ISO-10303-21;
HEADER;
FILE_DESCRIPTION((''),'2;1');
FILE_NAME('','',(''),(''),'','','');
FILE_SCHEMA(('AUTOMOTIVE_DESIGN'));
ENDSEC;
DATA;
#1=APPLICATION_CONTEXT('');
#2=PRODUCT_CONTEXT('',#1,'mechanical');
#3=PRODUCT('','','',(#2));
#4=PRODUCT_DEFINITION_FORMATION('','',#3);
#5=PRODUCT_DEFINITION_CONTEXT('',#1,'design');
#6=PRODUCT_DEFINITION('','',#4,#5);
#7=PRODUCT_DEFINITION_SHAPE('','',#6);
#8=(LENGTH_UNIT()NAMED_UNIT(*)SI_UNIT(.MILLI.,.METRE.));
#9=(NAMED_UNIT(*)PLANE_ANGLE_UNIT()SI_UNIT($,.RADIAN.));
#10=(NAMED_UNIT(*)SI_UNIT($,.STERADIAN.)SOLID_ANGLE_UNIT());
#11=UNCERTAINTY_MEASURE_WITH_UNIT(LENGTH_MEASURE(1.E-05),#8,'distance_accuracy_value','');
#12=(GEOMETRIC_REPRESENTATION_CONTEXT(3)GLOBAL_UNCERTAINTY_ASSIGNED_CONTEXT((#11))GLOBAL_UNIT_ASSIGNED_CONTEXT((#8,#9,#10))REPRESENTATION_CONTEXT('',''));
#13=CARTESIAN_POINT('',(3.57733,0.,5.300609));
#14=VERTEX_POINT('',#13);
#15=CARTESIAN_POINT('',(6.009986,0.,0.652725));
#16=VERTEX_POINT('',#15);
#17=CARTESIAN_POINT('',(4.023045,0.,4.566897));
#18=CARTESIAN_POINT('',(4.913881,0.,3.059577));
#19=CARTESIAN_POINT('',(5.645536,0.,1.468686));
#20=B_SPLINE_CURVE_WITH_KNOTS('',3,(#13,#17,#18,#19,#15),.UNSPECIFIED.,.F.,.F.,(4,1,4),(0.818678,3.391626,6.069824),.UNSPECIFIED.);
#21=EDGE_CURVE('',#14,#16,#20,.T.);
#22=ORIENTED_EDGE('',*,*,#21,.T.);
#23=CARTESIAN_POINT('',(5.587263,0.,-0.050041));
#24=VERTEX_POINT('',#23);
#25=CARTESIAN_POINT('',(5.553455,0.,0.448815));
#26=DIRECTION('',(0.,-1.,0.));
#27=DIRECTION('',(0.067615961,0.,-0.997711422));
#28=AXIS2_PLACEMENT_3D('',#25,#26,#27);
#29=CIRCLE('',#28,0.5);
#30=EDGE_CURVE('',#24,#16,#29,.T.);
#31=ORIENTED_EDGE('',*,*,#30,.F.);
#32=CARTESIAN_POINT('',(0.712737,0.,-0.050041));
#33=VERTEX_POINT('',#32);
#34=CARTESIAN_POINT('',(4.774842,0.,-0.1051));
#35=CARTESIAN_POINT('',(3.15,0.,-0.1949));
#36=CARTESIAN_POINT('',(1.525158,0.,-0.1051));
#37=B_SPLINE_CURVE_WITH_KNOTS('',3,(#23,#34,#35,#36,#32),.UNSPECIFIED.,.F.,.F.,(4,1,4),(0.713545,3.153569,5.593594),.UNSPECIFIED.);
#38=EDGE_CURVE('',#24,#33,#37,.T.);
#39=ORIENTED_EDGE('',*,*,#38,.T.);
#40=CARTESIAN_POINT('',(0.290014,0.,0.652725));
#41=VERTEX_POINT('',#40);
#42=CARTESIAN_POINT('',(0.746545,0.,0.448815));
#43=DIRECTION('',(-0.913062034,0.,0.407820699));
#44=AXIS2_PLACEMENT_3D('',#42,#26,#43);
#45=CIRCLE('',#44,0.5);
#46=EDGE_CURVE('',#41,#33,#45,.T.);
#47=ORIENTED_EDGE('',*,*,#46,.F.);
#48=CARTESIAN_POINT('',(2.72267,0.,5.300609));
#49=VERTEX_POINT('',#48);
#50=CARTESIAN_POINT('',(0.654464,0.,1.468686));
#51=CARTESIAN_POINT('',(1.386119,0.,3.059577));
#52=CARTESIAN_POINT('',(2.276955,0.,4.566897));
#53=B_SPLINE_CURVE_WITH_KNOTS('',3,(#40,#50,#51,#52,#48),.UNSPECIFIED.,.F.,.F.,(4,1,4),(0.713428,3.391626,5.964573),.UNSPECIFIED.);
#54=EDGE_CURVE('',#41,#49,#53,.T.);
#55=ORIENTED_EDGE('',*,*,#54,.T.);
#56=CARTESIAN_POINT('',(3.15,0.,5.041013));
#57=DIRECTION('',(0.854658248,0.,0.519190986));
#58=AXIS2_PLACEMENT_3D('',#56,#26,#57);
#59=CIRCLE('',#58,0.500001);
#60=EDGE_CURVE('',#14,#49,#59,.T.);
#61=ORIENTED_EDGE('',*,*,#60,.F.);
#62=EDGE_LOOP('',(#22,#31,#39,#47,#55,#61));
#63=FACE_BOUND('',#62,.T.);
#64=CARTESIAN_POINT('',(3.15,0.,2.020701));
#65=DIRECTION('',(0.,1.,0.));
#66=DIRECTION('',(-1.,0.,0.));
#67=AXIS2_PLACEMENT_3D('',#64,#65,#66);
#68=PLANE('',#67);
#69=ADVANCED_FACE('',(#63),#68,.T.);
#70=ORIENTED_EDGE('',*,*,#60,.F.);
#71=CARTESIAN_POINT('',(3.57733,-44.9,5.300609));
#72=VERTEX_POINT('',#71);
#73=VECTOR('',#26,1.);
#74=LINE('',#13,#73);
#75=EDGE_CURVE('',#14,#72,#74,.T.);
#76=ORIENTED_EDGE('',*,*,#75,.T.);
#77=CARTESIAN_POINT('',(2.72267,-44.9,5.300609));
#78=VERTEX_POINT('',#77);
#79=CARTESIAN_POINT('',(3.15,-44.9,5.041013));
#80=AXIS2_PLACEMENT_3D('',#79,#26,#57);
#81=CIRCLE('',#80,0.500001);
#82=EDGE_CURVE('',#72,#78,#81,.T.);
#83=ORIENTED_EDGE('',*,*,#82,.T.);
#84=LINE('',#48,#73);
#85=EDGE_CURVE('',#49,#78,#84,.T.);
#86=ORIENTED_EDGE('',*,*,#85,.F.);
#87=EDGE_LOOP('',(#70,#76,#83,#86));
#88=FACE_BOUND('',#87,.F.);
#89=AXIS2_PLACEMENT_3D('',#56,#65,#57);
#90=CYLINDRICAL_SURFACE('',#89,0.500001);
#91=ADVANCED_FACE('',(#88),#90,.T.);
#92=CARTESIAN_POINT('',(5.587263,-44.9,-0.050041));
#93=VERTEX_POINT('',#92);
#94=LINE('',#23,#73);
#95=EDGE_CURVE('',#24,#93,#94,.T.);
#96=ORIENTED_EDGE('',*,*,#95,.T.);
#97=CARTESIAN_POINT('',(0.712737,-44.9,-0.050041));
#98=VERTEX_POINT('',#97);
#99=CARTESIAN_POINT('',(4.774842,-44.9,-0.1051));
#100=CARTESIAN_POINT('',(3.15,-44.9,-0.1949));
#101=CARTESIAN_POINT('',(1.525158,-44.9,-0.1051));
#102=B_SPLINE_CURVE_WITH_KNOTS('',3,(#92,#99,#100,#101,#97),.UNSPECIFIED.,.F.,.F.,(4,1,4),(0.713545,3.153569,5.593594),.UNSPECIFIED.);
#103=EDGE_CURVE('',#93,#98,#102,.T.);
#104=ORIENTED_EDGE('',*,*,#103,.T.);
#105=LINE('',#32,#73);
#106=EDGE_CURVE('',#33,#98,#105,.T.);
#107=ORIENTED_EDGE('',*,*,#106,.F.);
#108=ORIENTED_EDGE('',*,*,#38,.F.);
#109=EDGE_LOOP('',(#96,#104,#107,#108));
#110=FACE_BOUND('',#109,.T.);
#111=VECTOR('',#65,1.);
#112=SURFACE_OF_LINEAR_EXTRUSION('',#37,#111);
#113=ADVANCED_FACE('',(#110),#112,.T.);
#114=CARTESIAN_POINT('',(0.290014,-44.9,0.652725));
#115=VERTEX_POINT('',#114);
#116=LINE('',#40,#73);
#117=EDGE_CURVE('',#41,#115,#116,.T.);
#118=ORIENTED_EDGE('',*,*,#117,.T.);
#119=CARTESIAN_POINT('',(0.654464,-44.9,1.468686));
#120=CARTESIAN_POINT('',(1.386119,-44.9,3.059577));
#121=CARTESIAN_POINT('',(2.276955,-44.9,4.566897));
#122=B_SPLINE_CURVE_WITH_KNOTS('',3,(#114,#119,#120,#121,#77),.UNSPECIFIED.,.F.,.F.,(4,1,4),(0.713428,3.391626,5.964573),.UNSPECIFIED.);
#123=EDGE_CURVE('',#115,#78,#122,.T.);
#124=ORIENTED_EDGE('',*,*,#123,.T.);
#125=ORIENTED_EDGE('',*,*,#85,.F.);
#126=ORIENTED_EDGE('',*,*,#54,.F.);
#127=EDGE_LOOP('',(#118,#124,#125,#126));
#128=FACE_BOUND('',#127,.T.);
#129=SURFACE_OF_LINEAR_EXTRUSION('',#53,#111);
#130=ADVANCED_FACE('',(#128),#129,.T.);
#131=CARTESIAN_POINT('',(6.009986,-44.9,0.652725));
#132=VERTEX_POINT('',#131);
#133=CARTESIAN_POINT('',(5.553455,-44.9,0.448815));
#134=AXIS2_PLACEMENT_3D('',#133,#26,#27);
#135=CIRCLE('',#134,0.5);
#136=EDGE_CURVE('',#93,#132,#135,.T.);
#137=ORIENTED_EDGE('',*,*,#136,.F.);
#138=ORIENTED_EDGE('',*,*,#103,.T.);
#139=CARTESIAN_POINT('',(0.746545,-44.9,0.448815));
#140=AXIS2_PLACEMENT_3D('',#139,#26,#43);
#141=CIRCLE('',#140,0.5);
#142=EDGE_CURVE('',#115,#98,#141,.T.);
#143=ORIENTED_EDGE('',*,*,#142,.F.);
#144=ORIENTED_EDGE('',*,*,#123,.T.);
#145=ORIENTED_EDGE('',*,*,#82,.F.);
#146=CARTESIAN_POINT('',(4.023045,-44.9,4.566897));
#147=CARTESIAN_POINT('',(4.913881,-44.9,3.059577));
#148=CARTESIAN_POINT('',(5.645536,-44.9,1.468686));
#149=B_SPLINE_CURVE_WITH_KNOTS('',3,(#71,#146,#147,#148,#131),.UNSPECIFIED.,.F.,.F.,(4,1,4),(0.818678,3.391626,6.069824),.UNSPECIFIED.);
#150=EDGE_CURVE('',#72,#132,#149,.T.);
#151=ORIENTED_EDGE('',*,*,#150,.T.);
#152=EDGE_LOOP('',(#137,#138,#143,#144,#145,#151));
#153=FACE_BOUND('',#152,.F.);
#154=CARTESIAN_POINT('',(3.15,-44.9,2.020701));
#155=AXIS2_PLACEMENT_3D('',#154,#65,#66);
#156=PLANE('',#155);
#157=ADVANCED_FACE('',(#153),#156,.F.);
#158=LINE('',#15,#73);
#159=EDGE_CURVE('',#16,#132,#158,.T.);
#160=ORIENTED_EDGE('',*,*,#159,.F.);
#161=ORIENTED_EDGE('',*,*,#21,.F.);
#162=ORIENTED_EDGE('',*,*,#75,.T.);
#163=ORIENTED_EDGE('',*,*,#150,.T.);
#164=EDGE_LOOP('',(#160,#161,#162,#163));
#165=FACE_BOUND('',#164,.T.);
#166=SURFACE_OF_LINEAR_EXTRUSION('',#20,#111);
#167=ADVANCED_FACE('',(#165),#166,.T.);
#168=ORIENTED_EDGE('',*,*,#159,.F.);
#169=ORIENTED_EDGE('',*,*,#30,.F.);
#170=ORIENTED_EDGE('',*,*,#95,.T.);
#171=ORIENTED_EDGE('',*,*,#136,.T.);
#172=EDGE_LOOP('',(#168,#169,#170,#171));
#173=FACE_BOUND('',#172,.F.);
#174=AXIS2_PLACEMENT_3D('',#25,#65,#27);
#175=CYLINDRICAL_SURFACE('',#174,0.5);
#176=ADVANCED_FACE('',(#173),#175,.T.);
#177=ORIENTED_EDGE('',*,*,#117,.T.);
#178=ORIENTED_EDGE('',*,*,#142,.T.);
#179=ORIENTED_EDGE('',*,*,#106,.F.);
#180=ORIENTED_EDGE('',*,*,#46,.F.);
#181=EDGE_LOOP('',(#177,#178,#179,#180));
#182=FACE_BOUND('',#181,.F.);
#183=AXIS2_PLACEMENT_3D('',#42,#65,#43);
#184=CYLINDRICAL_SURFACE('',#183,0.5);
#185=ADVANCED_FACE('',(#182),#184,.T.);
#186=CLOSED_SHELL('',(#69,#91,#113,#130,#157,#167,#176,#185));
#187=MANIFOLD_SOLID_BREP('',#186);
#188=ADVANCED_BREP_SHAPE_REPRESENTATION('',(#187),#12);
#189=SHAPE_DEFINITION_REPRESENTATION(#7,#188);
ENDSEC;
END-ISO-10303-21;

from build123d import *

# Parameters (mm, degrees)
F1_DEPTH = 44.9


with BuildPart() as f1:
    # F0 (on Front) → F1 (new body)
    with BuildSketch(Plane.XZ):
        with BuildLine():
            add(Edge.make_bspline(
                [(0.290014, 0.652725), (0.654464, 1.468686), (1.386119, 3.059577), (2.276955, 4.566897), (2.72267, 5.300609)],
                knots=[0.713428, 0.713428, 0.713428, 0.713428, 3.391626, 5.964573, 5.964573, 5.964573, 5.964573], degree=3))
            ThreePointArc((0.290014, 0.652725), (0.318085, 0.19109), (0.712737, -0.050041))
            add(Edge.make_bspline(
                [(5.587263, -0.050041), (4.774842, -0.1051), (3.15, -0.1949), (1.525158, -0.1051), (0.712737, -0.050041)],
                knots=[0.713545, 0.713545, 0.713545, 0.713545, 3.153569, 5.593594, 5.593594, 5.593594, 5.593594], degree=3))
            ThreePointArc((5.587263, -0.050041), (5.981915, 0.19109), (6.009986, 0.652725))
            add(Edge.make_bspline(
                [(3.57733, 5.300609), (4.023045, 4.566897), (4.913881, 3.059577), (5.645536, 1.468686), (6.009986, 0.652725)],
                knots=[0.818678, 0.818678, 0.818678, 0.818678, 3.391626, 6.069824, 6.069824, 6.069824, 6.069824], degree=3))
            ThreePointArc((3.57733, 5.300609), (3.15, 5.541014), (2.72267, 5.300609))
        make_face()
    extrude(amount=F1_DEPTH)


solid = f1.part
